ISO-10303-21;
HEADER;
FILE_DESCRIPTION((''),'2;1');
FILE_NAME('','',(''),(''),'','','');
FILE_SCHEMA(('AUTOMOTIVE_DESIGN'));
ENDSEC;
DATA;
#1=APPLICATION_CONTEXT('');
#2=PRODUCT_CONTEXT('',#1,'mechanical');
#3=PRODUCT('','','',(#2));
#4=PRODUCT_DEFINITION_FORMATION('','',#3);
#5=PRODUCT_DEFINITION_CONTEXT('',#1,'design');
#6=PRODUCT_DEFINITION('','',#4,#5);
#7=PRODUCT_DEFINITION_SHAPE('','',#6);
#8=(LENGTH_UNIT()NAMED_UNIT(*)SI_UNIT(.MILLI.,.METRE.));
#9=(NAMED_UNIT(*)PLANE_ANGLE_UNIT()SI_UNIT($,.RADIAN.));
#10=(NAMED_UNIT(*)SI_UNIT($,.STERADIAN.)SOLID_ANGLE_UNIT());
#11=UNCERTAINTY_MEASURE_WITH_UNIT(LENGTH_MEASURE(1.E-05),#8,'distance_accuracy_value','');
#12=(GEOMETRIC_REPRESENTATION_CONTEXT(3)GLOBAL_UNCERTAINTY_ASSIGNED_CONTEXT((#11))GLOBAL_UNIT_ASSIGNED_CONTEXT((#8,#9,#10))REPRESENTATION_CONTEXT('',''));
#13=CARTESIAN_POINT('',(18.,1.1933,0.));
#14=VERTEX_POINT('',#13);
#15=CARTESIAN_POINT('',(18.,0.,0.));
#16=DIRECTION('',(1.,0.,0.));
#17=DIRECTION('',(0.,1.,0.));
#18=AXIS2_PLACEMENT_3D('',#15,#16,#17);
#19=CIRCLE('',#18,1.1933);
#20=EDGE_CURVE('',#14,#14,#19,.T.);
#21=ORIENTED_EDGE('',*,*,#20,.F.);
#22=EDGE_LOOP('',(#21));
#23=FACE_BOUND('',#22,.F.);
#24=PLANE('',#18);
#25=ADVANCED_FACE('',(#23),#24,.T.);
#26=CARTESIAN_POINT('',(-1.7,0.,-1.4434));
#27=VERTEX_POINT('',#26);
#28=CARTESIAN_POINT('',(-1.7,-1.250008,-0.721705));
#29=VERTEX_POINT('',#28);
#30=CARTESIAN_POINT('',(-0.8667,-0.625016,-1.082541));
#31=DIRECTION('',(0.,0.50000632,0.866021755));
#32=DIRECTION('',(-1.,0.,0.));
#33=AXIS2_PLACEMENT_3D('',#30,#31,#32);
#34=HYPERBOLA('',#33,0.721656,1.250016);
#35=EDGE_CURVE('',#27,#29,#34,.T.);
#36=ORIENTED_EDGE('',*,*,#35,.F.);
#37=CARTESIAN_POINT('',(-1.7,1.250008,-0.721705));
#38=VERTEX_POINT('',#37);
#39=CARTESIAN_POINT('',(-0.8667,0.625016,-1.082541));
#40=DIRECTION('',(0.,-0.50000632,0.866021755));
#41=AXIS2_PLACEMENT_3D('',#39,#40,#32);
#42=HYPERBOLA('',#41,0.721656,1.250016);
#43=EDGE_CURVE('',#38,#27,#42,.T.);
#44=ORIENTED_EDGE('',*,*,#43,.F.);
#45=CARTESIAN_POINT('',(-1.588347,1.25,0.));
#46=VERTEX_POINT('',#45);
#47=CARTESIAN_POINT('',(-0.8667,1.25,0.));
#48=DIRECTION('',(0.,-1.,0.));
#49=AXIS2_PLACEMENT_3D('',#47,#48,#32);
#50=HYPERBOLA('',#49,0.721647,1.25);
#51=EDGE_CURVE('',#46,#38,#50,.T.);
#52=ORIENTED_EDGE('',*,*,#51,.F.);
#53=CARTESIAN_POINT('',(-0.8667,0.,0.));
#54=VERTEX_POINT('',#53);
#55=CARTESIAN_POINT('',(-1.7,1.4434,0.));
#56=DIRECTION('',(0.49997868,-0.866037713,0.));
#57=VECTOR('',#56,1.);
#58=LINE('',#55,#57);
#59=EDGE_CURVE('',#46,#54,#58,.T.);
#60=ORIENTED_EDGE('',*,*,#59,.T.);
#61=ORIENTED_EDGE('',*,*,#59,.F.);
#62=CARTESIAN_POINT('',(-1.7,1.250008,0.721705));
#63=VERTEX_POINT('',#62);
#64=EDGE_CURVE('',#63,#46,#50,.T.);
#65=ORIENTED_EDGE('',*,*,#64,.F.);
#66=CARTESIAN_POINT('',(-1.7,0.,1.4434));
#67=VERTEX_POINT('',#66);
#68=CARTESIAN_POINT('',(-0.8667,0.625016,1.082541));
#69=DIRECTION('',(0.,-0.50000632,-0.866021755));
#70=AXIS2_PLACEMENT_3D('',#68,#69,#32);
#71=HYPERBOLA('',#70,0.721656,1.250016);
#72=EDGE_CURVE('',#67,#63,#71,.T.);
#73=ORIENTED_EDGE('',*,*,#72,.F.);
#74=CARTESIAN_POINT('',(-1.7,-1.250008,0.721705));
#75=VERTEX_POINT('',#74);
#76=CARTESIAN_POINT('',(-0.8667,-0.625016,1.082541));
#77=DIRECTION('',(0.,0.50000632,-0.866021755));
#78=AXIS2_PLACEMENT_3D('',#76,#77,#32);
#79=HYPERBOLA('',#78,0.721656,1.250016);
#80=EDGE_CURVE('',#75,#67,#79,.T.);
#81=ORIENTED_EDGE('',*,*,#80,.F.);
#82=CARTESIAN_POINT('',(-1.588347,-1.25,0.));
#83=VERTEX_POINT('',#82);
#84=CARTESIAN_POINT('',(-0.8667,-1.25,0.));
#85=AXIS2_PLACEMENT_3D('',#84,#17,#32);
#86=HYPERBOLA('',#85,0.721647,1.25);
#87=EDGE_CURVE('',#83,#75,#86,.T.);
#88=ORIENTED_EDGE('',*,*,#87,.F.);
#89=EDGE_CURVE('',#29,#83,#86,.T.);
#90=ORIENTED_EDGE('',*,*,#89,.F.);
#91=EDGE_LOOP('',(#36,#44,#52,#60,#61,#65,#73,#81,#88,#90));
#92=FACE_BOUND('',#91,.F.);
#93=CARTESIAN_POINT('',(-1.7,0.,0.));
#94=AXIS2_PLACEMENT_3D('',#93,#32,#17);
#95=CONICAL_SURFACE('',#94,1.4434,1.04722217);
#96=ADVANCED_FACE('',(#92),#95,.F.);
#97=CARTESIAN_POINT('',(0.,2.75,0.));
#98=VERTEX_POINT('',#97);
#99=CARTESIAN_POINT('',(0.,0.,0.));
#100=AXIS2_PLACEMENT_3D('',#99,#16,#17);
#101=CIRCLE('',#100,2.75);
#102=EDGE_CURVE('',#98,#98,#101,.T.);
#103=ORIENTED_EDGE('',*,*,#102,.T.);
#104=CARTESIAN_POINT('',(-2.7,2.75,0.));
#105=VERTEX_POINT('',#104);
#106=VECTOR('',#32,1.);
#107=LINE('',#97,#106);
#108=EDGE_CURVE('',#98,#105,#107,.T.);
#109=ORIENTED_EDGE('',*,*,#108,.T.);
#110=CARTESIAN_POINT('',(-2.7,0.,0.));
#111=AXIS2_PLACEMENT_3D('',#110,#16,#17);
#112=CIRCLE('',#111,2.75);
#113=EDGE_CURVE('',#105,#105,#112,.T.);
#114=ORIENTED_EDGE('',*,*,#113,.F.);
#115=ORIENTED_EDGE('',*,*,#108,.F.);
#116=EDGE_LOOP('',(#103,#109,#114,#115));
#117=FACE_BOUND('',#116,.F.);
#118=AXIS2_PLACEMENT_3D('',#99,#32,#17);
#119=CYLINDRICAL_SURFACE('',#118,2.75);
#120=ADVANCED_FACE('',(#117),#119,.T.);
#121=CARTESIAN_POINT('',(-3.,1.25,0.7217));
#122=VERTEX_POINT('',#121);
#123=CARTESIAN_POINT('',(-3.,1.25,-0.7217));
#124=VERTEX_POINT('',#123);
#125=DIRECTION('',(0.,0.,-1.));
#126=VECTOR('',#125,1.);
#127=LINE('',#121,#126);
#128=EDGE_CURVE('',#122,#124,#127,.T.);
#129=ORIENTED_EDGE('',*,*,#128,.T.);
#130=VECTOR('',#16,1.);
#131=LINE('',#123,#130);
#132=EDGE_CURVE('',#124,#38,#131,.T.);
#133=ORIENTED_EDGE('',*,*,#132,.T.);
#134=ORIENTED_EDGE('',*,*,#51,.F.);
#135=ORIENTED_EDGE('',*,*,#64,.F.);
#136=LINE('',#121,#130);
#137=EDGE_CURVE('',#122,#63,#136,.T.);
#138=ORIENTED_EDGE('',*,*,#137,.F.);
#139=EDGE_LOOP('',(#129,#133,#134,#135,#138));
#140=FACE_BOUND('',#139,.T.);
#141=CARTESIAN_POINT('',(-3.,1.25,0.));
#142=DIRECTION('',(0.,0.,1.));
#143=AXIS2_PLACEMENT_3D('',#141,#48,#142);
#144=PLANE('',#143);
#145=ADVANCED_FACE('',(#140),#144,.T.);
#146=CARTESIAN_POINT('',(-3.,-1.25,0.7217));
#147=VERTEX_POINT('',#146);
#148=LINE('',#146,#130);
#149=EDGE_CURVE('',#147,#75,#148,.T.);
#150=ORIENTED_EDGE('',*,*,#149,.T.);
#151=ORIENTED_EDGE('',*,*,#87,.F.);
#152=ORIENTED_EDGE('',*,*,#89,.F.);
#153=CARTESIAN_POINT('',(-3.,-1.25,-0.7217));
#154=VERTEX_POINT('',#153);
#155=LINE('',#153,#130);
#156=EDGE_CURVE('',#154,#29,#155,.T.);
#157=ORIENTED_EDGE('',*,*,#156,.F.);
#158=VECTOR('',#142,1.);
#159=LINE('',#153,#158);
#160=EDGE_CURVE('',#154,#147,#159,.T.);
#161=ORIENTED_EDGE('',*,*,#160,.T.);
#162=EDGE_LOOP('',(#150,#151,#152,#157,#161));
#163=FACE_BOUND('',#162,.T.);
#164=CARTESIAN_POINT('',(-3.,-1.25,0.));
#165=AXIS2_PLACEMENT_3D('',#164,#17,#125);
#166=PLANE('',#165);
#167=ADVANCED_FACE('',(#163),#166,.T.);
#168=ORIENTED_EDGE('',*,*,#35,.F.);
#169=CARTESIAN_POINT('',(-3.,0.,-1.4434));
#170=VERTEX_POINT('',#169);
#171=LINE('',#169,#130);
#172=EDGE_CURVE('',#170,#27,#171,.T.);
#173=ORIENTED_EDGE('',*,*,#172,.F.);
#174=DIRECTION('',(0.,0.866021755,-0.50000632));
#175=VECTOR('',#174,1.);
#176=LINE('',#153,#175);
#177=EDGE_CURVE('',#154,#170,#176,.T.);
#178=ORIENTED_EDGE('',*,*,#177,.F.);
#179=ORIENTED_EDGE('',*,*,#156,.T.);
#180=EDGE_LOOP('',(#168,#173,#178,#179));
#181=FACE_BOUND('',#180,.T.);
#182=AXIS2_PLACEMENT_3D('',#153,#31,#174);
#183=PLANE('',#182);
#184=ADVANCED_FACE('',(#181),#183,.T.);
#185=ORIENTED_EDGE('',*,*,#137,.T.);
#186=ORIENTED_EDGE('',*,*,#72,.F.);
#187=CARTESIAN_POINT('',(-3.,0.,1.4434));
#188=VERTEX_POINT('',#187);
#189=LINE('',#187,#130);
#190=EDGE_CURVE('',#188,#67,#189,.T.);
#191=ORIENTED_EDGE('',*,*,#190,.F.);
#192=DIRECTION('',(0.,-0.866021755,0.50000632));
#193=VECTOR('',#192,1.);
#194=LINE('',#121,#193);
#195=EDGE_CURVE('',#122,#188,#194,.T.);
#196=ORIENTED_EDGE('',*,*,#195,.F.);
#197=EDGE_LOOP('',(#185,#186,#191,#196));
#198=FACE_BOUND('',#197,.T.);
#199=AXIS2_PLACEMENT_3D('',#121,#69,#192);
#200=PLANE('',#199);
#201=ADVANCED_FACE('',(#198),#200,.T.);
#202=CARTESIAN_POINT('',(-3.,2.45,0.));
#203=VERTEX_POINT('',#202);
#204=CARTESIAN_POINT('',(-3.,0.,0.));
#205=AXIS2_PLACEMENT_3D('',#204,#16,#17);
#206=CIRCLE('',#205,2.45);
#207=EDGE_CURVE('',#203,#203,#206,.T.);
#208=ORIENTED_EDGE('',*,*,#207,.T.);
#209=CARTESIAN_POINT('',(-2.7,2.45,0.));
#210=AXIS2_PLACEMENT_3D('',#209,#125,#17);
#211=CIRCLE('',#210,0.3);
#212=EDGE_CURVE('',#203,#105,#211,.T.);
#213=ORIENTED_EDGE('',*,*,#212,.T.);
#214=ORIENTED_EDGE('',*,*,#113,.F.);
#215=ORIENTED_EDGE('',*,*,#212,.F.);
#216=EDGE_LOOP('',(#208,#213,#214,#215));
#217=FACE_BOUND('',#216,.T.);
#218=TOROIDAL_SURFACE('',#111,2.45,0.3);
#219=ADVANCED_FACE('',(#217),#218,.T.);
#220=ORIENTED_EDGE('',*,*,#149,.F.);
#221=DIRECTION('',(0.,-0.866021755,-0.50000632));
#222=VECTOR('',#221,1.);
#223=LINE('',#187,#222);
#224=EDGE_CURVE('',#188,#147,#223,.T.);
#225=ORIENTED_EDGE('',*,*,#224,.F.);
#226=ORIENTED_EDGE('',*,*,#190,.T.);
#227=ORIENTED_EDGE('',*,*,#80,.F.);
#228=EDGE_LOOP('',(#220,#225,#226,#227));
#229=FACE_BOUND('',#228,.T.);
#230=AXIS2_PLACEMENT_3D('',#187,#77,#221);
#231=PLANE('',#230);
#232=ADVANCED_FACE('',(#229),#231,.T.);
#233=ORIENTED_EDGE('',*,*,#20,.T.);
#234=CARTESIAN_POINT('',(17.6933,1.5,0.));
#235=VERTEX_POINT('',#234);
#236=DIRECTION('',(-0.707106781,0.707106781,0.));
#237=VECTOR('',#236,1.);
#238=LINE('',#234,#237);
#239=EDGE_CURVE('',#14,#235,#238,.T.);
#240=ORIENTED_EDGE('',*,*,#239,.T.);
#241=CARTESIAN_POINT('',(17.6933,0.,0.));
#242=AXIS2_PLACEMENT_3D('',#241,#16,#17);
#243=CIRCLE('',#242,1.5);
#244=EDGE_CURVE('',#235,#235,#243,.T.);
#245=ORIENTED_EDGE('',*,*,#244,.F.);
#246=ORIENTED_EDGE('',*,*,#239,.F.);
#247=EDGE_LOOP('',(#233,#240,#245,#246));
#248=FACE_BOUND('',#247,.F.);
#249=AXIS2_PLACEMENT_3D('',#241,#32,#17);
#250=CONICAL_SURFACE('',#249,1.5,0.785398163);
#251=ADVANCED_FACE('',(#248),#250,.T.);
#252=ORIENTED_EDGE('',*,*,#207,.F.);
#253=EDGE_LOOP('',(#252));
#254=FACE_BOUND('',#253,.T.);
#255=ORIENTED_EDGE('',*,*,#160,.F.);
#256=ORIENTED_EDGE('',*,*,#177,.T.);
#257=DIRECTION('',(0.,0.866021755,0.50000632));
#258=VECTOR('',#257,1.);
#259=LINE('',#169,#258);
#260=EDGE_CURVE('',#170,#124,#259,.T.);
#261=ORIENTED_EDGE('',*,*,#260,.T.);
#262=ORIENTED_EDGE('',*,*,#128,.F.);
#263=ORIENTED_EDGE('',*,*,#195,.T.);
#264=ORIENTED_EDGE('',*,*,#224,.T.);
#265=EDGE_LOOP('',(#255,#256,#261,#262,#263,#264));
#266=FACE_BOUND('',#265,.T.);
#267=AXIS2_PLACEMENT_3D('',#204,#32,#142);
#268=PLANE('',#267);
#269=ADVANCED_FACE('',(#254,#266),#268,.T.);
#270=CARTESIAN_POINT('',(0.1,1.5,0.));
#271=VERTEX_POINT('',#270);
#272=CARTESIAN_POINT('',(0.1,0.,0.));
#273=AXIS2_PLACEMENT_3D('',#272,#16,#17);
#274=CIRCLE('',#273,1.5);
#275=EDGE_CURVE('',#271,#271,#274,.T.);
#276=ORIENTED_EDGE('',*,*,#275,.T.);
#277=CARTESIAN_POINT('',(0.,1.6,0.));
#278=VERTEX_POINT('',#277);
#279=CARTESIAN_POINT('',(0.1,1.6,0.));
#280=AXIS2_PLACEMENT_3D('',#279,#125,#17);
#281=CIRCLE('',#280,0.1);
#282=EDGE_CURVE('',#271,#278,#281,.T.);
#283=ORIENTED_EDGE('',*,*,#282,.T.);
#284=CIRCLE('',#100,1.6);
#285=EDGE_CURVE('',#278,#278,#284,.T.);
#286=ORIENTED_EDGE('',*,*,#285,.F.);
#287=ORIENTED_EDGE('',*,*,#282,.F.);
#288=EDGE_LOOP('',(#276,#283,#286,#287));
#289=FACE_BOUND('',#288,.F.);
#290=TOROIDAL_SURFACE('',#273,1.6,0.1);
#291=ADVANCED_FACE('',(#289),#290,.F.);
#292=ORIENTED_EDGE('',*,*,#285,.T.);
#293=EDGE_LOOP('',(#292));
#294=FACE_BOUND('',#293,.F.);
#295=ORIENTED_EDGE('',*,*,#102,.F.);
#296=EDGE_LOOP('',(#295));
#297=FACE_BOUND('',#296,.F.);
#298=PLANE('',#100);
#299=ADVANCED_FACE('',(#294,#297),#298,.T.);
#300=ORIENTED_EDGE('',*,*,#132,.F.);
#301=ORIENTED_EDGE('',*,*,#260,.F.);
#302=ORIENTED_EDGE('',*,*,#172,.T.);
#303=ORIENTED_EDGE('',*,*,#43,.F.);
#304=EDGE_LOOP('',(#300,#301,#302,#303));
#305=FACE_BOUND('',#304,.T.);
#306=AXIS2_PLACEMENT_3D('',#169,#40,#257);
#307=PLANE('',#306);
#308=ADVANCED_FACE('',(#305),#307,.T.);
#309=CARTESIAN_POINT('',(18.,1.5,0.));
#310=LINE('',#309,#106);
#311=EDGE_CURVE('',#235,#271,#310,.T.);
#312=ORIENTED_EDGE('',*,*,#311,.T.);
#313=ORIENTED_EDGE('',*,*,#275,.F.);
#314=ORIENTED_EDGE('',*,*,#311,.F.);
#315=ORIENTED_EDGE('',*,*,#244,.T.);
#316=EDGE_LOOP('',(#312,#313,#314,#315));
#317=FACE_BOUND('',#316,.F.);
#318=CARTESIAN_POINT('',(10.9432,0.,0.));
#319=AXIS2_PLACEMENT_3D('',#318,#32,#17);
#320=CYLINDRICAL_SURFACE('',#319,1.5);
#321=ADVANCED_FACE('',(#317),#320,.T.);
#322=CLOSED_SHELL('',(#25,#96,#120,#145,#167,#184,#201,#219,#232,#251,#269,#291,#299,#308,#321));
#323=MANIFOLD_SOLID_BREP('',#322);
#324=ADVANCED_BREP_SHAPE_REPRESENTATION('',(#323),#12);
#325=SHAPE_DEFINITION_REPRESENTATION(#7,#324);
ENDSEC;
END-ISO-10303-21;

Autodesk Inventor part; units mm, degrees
ref_plane "YZ Plane" through (0, 0, 0) normal (1, 0, 0) x (0, 1, 0)
ref_plane "XZ Plane" through (0, 0, 0) normal (0, 1, 0) x (-1, 0, 0)
sketch "Sketch1" plane through (0, 0, 0) normal (0, 0, 1) x (1, 0, 0)
  line L0 (-0.8667, 0) -> (18, 0)
  line L1 (18, 0) -> (18, 1.5)
  line L2 (18, 1.5) -> (11.25, 1.5)
  line L3 (11.25, 1.5) -> (10.9432, 1.5)
  line L4 (10.9432, 1.5) -> (0, 1.5)
  line L5 (0, 1.5) -> (0, 2.75)
  line L6 (0, 2.75) -> (-3, 2.75)
  line L7 (-3, 2.75) -> (-3, 1.4434)
  line L8 (-3, 1.4434) -> (-1.7, 1.4434)
  line L9 (-1.7, 1.4434) -> (-0.8667, 0)
  line L10 (-7.2, 0) -> (22.2, 0) projected
  line L11 (0, -0.55) -> (0, 3.3) projected
  line L12 (11.25, 1.5) -> (0, 1.5) construction
  dimension "d1" = 6.75
  dimension "d2" = 0.3068
  dimension "d3" = 3
  dimension "d4" = 1.3
  dimension "d5" = 60
  dimension "d6" = 3
  dimension "d7" = 3
  dimension "d8" = 2.8868
  dimension "d9" = 5.5
  dimension "d26" = 18
revolve "Body" add sketch "Sketch1" angle 360 about axis through (-0.8667, 0, 0) along (1, 0, 0)
sketch "Sketch2" plane through (-3, 0, 0) normal (-1, 0, 0) x (0, 0, 1)
  circle A0 centre (0, 0) radius 1.4434 projected
  line L0 (0, -3.85) -> (0, 3.85) projected
  line L1 (-3.85, 0) -> (3.85, 0) projected
  line L2 (1.4434, 0) -> (0.7217, -1.25)
  line L3 (0.7217, -1.25) -> (-0.7217, -1.25)
  line L4 (-0.7217, -1.25) -> (-1.4434, 0)
  line L5 (-1.4434, 0) -> (-0.7217, 1.25)
  line L6 (-0.7217, 1.25) -> (0.7217, 1.25)
  line L7 (0.7217, 1.25) -> (1.4434, 0)
extrude "Slot" add sketch "Sketch2" against normal up to next contours L7 A0 | A0 L2 | L6 L0 A0 | A0 L0 L3 | L0 L6 A0 | A0 L3 L0 | L4 A0 | A0 L5
fillet "Fillet1" radius 0.3 1 edges at (-3, -2.75, 0)
thread "Thread" size "M3x0.5" class "6g" standard "ISO Metric profile" length 6.75
chamfer "Chamfer1" distance 0.3067 distance2 0.3067 1 edges at (18, -1.5, 0) measured on face at (18, -0.4645, -0.4115)
ref_plane "Work Plane1" through (29, 0, 0) normal (0, -1, 0) x (1, 0, 0)
fillet "Fillet2" radius 0.1 1 edges at (0, -1.5, 0)
equation "\"d1\" = GEL"
equation "\"d3\" = KOH"
equation "\"d4\" = INTI"
equation "\"d6\" = GD"
equation "\"d7\" = BDM"
equation "\"d8\" = 1.1547 * SW"
equation "\"d9\" = KOD"
equation "\"d30\" = R"
equation "\"d17\" = RR"
equation "\"d13\" = GEL"
equation "\"d15\" = -0.5 * SPD + 0.5 * GD"
equation "\"d16\" = GUL"
equation "\"GD\" = NND"
equation "\"NLG\" = 8"
equation "\"GEL\" = 6.75"
equation "\"KOD\" = 5.5"
equation "\"KOH\" = NND"
equation "\"INTI\" = 1.3"
equation "\"GAL\" = 0.61345 * PTC"
equation "\"GUL\" = 0.61345 * PTC"
equation "\"BDM\" = NND"
equation "\"SW\" = 2.5"
equation "\"RR\" = 0.1 * NND"
equation "\"SPD\" = NND - 1.2269 * PTC"
equation "\"R\" = 0.1"
equation "\"PHH\" = 0.13"
equation "\"GD1\" = THREADDIA - 1.2269 * PTC"
equation "\"THREADDIA\" = 3"
equation "\"FAWI\" = 45deg"
equation "\"PTC\" = 0.5"
equation "\"KOH1\" = 2.7"
equation "\"NND\" = 3"
equation "\"TOA\" = 30deg"
equation "\"E0\" = 1.155 * SW"
properties part number "AS 1420 - 1973 - M3 x 8" material "Steel, Mild"
